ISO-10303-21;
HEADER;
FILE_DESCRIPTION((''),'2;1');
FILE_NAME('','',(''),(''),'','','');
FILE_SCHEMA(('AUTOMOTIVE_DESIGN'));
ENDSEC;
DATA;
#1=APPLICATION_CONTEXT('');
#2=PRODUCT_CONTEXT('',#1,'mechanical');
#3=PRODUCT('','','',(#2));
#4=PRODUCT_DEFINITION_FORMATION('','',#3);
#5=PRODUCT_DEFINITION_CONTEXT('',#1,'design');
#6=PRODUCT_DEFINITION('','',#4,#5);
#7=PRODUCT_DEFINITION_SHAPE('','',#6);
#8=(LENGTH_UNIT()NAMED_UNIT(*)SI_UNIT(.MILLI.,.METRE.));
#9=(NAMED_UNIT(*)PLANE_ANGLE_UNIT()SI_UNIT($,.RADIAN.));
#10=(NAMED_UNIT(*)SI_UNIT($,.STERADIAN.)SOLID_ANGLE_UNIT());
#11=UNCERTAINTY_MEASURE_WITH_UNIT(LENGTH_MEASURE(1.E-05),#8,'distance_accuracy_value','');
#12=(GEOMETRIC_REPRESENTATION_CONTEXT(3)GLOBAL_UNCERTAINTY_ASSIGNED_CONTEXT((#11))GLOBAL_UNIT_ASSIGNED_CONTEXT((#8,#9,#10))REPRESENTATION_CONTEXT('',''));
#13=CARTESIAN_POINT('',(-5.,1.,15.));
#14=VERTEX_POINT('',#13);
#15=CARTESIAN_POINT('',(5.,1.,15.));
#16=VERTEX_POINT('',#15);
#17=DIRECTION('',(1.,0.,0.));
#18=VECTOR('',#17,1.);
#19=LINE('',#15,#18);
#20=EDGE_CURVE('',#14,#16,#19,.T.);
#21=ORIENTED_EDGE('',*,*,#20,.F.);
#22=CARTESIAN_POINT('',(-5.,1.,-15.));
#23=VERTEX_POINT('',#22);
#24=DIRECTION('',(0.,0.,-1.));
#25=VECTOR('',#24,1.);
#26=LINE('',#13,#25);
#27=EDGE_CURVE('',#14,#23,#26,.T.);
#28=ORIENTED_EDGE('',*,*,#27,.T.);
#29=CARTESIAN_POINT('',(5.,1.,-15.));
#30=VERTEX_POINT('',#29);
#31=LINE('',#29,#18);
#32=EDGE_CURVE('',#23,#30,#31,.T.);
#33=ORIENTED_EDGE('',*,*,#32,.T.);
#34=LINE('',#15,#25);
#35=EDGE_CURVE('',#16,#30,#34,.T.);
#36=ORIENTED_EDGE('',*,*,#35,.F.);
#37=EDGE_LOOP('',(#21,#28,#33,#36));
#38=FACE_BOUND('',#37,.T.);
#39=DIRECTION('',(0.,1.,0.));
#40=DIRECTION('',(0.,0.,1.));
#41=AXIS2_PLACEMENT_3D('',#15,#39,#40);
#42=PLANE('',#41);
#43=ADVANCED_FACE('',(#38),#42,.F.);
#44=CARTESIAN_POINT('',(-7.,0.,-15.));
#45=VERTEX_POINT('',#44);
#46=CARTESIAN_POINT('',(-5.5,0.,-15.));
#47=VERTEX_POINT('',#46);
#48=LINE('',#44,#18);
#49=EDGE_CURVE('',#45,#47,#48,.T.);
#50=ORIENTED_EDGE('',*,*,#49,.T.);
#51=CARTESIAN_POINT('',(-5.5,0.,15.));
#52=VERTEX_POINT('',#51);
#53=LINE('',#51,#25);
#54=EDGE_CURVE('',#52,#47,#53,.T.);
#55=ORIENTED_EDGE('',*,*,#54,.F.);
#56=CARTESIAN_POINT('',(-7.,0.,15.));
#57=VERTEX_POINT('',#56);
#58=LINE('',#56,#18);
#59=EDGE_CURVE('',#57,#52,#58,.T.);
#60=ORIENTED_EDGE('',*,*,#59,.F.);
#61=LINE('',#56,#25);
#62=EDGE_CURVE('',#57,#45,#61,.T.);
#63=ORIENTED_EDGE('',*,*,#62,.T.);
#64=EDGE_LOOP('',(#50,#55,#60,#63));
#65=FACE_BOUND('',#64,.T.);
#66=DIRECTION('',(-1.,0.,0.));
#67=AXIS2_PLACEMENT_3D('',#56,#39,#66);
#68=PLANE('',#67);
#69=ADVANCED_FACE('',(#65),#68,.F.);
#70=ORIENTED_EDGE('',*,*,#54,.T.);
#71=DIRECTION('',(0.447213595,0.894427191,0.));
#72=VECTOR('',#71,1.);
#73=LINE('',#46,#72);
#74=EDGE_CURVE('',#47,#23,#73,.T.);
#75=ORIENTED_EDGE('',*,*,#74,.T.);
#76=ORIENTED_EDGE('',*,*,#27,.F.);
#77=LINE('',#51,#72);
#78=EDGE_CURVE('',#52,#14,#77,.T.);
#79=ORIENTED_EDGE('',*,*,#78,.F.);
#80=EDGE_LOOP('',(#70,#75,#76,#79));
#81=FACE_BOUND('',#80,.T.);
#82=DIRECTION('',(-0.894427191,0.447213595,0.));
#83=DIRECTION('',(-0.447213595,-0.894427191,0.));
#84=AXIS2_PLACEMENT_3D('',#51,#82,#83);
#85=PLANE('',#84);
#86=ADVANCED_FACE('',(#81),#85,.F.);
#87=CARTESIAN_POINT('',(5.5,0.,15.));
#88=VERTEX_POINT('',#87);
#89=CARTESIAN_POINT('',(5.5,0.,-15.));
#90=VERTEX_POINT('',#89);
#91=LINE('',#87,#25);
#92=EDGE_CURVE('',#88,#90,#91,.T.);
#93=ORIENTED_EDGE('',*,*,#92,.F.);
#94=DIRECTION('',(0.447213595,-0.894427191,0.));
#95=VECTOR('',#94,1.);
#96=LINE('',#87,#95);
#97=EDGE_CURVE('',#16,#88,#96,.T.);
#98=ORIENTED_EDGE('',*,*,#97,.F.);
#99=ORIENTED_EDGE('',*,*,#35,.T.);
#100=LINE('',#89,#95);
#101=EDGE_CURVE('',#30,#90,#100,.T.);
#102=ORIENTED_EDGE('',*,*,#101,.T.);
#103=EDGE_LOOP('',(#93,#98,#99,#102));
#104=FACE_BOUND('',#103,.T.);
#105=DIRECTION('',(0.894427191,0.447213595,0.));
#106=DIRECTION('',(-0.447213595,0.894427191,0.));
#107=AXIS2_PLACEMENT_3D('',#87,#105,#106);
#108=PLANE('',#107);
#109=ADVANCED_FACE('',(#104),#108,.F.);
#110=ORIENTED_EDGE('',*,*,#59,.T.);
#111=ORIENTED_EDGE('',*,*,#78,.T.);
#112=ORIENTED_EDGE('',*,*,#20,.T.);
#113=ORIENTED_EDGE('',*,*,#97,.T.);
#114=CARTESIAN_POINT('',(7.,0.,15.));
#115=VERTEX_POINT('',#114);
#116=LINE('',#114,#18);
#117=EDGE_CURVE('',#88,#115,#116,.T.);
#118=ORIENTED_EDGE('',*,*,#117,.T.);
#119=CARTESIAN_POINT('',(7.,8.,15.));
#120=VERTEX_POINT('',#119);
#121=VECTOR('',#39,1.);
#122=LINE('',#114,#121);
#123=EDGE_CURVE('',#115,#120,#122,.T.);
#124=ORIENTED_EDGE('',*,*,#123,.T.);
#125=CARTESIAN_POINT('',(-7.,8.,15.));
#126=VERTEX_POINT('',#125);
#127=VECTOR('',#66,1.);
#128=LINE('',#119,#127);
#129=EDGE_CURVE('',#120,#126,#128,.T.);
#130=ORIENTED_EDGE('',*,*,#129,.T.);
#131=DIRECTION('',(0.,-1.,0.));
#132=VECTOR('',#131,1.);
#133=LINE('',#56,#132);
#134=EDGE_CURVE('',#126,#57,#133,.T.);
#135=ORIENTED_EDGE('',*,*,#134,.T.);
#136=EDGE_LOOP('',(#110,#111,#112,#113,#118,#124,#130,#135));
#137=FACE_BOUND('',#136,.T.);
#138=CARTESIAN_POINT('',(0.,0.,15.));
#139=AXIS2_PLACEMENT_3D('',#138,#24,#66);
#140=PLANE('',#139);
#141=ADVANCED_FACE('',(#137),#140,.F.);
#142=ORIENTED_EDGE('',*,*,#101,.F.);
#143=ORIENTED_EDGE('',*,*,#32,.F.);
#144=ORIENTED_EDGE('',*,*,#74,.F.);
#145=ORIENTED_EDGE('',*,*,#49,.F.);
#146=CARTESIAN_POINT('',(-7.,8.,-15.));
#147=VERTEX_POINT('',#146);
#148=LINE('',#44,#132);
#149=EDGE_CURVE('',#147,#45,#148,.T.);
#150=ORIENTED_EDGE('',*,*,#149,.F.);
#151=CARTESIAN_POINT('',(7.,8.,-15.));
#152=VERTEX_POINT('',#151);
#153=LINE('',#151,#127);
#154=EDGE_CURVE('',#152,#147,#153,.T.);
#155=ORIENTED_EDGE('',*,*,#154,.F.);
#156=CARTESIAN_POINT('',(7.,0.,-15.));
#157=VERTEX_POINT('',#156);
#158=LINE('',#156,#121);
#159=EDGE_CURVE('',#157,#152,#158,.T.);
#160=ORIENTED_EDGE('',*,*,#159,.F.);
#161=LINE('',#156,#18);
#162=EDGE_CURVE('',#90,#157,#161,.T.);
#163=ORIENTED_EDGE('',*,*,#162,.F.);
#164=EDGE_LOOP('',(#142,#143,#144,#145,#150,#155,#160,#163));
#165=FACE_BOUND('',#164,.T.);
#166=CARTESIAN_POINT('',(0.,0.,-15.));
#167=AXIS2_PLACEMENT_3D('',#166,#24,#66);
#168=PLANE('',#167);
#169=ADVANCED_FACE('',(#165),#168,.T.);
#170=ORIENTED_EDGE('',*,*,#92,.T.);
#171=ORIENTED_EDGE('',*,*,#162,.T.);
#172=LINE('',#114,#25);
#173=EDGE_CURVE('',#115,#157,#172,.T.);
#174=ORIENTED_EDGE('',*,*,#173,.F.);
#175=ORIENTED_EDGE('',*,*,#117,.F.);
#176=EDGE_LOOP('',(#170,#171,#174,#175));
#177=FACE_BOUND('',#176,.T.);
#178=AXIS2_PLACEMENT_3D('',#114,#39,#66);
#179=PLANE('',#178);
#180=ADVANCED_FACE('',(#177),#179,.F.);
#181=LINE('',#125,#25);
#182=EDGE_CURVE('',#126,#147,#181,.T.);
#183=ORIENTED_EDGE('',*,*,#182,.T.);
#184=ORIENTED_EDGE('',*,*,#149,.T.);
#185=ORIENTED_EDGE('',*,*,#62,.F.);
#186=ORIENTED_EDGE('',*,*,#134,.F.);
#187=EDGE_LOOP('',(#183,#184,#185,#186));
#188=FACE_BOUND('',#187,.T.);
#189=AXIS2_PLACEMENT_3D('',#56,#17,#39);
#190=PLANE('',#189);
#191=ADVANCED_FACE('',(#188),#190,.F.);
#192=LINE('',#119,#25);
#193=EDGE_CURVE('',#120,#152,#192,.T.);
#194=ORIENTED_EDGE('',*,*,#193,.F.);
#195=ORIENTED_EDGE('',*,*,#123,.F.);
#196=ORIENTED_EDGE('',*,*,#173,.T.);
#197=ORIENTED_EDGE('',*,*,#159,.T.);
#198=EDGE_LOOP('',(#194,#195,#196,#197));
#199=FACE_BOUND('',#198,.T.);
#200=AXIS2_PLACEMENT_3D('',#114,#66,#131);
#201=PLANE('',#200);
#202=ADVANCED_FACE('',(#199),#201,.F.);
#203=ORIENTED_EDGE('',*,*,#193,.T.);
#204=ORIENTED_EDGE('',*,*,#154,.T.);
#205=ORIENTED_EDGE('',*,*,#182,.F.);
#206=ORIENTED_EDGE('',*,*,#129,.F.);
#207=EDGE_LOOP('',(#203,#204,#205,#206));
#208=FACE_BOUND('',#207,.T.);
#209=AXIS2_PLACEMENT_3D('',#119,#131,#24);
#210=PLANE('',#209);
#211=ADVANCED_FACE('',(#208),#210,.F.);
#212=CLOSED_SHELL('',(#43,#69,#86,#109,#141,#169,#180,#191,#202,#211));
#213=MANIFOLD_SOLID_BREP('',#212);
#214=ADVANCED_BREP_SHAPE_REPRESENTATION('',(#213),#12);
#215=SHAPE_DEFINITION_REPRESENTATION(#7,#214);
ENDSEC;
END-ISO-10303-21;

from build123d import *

# Parameters (mm, degrees)
BOSS_EXTRU_1_DEPTH = 15


with BuildPart() as part:
    # Esquisse1 → Boss.-Extru.1 (new body, symmetric)
    with BuildSketch(Plane.XY):
        Polygon((7, 0), (7, 8), (-7, 8), (-7, 0), (-5.5, 0), (-5, 1), (5, 1), (5.5, 0), align=None)
    extrude(amount=BOSS_EXTRU_1_DEPTH, both=True)


solid = part.part
